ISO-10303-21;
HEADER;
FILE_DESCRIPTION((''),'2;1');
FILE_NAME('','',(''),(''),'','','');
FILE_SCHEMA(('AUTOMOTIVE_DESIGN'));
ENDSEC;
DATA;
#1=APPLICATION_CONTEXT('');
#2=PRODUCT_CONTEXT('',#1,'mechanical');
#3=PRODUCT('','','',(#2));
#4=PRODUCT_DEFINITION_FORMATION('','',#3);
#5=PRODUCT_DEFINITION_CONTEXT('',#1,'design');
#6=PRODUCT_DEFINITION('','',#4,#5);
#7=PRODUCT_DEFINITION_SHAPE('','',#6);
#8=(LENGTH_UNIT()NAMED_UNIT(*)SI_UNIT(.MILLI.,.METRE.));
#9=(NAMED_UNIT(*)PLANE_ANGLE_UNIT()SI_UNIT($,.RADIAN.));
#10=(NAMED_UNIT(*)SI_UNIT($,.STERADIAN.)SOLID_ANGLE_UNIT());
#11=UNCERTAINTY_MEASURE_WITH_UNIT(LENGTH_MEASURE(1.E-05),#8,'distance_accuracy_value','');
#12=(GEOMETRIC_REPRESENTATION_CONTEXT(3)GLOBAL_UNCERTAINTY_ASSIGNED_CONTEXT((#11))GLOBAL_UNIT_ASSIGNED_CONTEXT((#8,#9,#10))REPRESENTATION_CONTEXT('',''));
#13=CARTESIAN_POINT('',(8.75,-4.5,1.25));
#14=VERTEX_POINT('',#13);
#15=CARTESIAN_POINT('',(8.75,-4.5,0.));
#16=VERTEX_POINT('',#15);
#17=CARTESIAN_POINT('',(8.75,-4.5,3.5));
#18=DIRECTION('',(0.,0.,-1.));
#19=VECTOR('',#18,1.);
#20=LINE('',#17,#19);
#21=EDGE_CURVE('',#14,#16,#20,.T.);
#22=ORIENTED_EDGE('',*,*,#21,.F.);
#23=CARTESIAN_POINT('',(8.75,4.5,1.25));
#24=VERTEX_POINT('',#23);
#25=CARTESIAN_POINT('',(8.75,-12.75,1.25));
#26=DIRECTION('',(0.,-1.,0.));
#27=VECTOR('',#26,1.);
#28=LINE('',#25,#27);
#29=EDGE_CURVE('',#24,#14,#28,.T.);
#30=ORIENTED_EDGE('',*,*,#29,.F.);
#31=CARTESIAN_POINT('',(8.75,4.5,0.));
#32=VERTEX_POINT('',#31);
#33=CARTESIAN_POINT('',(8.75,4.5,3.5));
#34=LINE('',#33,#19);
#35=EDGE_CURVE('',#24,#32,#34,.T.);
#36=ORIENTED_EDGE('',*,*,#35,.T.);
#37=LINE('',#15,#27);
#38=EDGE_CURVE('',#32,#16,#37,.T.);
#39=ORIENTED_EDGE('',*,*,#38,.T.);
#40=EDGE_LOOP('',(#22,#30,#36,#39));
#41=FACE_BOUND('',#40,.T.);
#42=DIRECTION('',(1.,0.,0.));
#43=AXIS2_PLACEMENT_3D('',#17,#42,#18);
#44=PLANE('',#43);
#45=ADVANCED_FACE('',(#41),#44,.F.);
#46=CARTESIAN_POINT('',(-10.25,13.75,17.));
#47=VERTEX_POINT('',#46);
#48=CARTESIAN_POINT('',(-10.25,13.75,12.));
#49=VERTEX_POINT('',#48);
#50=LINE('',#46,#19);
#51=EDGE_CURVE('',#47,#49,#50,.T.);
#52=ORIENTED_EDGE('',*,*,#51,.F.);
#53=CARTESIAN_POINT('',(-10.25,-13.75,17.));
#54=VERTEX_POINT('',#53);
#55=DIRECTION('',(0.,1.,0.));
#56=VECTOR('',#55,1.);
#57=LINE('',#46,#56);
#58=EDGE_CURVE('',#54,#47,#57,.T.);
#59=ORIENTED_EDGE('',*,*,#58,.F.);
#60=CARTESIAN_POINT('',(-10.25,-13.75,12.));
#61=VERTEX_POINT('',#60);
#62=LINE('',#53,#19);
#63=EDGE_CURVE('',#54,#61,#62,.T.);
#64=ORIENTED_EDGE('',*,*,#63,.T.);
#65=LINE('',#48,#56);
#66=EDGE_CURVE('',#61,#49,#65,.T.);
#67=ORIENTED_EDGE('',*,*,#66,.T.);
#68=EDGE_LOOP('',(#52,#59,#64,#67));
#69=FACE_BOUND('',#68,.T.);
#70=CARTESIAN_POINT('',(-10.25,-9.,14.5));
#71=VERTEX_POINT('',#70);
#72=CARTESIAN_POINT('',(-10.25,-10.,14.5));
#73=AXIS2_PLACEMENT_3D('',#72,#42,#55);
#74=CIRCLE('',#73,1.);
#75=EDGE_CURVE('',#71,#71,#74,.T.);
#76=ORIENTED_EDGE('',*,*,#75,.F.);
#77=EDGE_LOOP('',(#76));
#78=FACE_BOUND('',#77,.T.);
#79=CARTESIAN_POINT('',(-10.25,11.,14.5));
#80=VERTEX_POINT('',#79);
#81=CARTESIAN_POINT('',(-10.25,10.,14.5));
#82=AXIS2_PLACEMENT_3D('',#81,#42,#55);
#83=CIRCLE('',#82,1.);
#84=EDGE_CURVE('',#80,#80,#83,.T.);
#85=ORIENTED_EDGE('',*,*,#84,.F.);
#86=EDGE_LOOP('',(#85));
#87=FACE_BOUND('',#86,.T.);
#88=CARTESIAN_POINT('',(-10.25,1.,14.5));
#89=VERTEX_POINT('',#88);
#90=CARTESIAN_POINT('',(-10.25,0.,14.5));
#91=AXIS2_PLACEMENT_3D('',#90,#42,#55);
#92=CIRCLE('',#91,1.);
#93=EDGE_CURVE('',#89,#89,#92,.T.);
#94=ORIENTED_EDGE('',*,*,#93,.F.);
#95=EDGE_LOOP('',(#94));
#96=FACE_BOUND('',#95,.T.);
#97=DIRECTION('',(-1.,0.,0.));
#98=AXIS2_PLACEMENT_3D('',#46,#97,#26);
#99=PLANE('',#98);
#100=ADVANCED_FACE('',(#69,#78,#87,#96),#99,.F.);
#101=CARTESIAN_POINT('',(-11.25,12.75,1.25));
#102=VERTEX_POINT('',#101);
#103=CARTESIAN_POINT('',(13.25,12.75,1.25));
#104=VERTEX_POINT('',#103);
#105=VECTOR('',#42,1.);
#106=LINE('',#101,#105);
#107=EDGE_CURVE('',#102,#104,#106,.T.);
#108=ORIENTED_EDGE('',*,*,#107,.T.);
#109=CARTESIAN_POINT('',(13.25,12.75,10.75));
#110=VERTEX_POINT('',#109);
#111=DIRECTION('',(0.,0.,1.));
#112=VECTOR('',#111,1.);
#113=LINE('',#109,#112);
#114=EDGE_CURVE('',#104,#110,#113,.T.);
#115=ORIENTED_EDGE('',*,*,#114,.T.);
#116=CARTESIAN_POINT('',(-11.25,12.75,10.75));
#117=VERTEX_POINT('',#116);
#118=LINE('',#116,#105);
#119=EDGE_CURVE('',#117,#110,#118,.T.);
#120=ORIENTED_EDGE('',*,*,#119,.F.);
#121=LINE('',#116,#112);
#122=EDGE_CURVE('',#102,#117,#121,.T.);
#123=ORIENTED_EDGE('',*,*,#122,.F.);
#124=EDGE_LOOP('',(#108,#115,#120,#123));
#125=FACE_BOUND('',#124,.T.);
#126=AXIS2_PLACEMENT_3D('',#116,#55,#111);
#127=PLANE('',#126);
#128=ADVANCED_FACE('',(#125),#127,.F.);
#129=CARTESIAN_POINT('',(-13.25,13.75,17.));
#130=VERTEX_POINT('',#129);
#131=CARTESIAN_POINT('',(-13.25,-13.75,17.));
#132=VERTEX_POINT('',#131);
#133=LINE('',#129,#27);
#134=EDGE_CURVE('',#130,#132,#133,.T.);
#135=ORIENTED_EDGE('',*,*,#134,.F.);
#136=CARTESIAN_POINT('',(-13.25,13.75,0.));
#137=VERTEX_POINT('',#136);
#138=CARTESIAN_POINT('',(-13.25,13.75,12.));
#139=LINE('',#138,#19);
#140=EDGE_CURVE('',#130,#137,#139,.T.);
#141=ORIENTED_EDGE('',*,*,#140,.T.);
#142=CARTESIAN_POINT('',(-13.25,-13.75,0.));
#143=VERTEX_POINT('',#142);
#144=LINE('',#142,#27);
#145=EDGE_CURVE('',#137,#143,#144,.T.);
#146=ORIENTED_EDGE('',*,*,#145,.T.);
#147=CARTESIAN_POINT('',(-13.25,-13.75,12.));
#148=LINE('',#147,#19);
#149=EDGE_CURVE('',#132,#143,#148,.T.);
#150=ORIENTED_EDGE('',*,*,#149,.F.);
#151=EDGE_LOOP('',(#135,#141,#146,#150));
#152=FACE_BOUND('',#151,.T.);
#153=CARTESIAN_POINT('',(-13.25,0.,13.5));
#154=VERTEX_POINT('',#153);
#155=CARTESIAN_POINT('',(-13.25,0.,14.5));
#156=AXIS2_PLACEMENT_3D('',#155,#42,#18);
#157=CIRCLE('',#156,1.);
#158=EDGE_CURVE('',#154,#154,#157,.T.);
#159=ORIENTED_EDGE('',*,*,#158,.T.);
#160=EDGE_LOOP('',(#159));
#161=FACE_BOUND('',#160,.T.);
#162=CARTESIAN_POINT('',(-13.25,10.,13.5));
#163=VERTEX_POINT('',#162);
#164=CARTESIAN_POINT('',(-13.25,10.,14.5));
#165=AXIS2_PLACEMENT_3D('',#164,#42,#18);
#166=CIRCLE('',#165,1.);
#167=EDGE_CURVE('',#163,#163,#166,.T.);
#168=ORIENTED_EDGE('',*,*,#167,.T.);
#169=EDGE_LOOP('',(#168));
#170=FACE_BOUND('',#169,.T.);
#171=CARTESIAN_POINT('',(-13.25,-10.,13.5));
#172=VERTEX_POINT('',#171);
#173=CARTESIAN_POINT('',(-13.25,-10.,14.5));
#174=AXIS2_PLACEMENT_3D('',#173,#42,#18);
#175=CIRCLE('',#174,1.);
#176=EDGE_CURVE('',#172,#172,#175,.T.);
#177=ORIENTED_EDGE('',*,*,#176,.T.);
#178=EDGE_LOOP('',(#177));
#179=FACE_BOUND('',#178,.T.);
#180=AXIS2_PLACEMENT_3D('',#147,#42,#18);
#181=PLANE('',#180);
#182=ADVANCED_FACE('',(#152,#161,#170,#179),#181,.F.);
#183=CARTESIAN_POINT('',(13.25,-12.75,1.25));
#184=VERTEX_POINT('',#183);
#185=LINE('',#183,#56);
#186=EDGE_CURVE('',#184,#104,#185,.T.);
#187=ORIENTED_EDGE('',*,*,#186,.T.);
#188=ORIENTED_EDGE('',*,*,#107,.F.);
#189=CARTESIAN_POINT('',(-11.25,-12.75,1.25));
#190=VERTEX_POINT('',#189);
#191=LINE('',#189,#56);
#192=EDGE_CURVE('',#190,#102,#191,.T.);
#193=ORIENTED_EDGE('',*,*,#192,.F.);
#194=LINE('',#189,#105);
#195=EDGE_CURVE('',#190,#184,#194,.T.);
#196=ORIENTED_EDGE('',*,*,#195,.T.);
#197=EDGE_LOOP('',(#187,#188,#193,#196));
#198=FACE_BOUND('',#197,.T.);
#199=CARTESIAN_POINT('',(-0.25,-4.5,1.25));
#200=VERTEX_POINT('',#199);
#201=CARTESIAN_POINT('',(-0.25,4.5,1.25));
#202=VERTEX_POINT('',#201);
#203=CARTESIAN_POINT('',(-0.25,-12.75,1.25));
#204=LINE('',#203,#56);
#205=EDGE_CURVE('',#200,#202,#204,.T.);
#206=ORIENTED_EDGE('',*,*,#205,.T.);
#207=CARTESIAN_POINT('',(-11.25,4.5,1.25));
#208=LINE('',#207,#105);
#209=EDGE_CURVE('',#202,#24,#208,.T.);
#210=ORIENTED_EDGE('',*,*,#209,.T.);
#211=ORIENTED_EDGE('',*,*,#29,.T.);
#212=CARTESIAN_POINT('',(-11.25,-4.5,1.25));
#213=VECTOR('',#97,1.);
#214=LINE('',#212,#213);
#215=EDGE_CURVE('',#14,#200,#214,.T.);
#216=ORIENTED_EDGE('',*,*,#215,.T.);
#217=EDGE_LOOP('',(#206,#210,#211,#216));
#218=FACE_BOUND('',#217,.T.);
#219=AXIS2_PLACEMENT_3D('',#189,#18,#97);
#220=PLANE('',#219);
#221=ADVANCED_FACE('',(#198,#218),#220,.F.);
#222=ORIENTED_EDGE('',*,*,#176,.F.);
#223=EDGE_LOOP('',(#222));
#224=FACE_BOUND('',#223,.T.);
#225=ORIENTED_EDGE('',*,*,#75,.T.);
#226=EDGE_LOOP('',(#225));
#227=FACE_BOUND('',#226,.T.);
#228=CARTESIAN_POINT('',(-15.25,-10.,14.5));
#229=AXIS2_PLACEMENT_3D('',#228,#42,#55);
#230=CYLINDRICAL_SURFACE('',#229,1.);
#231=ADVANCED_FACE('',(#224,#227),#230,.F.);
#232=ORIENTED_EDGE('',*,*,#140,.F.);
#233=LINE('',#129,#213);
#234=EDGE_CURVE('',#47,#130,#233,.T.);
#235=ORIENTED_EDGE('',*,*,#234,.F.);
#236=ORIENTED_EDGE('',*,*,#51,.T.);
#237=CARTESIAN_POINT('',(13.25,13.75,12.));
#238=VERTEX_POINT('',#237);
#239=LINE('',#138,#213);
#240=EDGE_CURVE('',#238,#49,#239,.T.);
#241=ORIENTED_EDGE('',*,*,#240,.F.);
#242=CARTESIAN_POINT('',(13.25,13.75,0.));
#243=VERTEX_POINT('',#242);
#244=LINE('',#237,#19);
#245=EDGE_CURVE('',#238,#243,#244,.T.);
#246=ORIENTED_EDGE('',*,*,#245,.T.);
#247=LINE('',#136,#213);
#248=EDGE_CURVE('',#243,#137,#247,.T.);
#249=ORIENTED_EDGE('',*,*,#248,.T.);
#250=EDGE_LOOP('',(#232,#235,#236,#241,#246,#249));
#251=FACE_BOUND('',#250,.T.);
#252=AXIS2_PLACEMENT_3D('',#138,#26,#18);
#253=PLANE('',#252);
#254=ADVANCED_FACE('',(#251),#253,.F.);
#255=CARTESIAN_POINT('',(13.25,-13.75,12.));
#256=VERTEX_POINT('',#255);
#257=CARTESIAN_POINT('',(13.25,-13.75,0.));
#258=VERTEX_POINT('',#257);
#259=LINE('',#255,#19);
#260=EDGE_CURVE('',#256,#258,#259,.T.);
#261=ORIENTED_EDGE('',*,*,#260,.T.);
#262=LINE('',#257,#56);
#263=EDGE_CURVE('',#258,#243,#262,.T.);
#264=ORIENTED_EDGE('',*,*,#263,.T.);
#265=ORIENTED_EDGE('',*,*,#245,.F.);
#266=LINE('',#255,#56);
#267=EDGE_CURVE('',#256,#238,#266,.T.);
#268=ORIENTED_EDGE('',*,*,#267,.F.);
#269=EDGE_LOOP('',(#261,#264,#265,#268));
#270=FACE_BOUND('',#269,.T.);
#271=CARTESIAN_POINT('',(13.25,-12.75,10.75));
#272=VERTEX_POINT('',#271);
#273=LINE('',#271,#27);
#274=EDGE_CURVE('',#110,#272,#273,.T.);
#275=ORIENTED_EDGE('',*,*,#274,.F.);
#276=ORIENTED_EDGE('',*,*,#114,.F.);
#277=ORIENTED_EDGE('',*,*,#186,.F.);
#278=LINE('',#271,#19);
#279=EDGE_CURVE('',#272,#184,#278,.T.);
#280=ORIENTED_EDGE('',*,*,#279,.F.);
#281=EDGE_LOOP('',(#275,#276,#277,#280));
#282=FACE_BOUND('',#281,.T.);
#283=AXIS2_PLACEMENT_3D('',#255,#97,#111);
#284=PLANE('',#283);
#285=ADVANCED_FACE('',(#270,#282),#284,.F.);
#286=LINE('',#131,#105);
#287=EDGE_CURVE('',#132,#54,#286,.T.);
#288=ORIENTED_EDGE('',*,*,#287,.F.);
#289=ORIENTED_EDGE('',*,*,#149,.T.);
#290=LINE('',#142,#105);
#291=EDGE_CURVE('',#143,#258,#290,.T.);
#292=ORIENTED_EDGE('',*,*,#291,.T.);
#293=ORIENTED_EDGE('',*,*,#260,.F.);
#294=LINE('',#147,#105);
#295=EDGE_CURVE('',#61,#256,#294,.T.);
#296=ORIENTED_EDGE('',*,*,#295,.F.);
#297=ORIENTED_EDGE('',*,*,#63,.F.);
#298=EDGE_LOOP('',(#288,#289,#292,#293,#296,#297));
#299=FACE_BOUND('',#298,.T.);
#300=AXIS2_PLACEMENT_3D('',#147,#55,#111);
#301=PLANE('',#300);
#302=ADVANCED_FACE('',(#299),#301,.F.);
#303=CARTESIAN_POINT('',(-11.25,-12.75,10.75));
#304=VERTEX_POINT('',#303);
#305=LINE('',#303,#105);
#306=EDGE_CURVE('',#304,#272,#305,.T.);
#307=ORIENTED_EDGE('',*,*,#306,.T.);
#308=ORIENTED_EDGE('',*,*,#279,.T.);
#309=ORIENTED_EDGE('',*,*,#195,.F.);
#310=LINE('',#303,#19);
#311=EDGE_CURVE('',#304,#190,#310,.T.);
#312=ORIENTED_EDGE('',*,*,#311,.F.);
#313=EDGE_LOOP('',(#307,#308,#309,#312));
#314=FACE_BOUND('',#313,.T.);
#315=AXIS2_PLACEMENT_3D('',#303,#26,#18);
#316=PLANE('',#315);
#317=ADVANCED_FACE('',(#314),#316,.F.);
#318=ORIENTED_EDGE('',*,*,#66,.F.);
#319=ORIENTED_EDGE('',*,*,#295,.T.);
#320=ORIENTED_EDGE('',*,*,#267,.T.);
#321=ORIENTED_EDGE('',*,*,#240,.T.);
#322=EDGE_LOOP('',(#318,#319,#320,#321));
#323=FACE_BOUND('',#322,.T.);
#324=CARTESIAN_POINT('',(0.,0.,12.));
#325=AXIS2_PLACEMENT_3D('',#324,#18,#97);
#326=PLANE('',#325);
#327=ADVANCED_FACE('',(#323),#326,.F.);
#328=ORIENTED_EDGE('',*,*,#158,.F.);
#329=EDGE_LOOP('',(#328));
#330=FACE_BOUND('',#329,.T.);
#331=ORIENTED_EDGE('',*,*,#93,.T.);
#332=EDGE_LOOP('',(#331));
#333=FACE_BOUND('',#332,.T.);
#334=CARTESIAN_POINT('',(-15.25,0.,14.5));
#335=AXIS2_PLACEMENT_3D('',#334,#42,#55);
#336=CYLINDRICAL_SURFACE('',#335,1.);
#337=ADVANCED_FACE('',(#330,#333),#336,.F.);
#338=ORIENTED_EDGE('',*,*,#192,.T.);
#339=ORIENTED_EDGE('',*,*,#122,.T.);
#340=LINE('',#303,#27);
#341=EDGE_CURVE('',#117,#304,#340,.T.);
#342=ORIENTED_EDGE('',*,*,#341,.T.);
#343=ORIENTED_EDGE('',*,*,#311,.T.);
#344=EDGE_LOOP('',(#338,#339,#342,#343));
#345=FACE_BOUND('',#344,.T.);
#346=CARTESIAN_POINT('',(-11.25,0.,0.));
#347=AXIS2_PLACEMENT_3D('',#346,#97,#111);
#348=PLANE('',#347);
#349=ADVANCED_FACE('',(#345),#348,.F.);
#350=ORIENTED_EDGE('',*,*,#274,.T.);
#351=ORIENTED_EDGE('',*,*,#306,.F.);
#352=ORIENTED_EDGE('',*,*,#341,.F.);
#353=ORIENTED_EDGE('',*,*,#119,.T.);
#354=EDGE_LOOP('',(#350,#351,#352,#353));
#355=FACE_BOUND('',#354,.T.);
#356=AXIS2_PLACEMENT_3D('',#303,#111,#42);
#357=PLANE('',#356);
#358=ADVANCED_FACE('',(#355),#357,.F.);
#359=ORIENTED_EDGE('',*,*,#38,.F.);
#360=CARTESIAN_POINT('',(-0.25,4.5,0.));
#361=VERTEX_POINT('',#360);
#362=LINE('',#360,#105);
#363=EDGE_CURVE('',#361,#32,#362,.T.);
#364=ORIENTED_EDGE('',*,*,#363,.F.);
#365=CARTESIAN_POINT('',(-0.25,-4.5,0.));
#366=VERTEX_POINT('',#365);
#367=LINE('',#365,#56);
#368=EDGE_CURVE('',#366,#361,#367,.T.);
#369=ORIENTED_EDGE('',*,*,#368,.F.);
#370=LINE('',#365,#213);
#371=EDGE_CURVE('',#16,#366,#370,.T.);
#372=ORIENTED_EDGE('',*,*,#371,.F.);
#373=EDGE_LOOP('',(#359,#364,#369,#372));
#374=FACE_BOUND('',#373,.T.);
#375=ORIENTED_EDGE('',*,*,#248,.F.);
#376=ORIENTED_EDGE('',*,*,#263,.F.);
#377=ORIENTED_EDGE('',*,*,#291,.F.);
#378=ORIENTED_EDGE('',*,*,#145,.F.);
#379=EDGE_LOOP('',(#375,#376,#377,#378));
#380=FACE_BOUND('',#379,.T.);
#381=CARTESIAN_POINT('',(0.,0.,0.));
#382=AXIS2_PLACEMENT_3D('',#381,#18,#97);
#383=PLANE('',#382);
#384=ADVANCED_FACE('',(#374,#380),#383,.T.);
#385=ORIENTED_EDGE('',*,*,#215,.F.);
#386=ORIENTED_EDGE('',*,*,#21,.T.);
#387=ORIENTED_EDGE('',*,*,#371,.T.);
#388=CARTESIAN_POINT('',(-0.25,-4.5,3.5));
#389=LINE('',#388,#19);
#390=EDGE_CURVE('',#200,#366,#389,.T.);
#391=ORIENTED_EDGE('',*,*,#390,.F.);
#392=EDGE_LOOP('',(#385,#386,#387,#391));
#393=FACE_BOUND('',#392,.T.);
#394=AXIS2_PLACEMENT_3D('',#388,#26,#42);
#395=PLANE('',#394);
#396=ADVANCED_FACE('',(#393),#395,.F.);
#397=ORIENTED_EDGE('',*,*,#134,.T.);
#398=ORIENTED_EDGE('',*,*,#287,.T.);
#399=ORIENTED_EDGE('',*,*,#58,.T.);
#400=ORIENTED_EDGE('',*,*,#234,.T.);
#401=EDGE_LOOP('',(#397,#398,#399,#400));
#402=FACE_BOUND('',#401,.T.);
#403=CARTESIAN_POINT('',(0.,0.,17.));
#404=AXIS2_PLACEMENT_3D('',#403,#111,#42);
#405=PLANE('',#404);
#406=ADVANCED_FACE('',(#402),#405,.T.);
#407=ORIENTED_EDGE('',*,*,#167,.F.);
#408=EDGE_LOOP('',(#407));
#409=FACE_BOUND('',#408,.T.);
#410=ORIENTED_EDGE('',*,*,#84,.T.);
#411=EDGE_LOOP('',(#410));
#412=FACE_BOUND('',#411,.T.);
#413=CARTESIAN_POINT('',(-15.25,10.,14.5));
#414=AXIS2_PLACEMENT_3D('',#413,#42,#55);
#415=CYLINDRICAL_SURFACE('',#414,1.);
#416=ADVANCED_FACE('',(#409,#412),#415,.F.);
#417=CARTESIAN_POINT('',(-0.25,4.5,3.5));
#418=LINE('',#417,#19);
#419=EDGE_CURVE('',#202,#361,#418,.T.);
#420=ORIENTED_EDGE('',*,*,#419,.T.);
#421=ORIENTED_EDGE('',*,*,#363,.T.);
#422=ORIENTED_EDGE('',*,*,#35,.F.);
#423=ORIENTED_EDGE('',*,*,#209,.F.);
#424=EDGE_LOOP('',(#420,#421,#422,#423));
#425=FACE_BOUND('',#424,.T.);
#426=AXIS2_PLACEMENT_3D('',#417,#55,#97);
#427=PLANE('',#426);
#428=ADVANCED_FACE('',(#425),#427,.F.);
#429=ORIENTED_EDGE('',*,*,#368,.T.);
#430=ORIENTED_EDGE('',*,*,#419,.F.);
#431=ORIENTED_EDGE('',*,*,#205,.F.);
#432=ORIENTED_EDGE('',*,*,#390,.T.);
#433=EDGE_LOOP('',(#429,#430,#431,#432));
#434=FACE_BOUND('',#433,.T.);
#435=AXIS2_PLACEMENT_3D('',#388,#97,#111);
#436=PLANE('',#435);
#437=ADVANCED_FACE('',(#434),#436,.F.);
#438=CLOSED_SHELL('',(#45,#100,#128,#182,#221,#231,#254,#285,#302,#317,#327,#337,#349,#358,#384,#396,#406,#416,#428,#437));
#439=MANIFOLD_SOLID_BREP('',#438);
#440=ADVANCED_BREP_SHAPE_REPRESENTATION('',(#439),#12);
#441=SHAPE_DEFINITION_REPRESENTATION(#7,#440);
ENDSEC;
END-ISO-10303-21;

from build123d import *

# Parameters (mm, degrees)
SKETCH1_W           = 26.5
SKETCH1_H           = 27.5
BOSS_EXTRUDE1_DEPTH = 12
SKETCH3_W           = 9.5
SKETCH3_H           = 25.5
CUT_EXTRUDE1_DEPTH  = 24.5
SKETCH4_W           = 9
SKETCH4_H           = 9
CUT_EXTRUDE2_DEPTH  = 3.5
SKETCH6_W           = 3
SKETCH6_H           = 27.5
BOSS_EXTRUDE2_DEPTH = 5
SKETCH7_R           = 1
CUT_EXTRUDE3_DEPTH  = 5


with BuildPart() as part:
    # Sketch1 → Boss-Extrude1 (new body)
    with BuildSketch(Plane.XY):
        Rectangle(SKETCH1_W, SKETCH1_H)
    extrude(amount=BOSS_EXTRUDE1_DEPTH)

    # Sketch3 → Cut-Extrude1 (cut)
    with BuildSketch(Plane(origin=(13.25, 0, 0), x_dir=(0, 0, -1), z_dir=(1, 0, 0))):
        with Locations((-6, 0)):
            Rectangle(SKETCH3_W, SKETCH3_H)
    extrude(amount=-CUT_EXTRUDE1_DEPTH, mode=Mode.SUBTRACT)

    # Sketch4 → Cut-Extrude2 (cut)
    with BuildSketch(Plane(origin=(0, 0, 0), x_dir=(-1, 0, 0), z_dir=(0, 0, -1))):
        with Locations((-4.25, 0)):
            Rectangle(SKETCH4_W, SKETCH4_H)
    extrude(amount=-CUT_EXTRUDE2_DEPTH, mode=Mode.SUBTRACT)

    # Sketch6 → Boss-Extrude2 (add)
    with BuildSketch(Plane.XY.offset(12)):
        with Locations((-11.75, 0)):
            Rectangle(SKETCH6_W, SKETCH6_H)
    extrude(amount=BOSS_EXTRUDE2_DEPTH)

    # Sketch7 → Cut-Extrude3 (cut)
    with BuildSketch(Plane(origin=(-10.25, 0, 0), x_dir=(0, 0, -1), z_dir=(1, 0, 0))):
        with Locations(Location((-14.5, -10, 0), (0, 0, 90))):
            Circle(SKETCH7_R)
        with Locations(Location((-14.5, 0, 0), (0, 0, 90))):
            Circle(SKETCH7_R)
        with Locations(Location((-14.5, 10, 0), (0, 0, 90))):
            Circle(SKETCH7_R)
    extrude(amount=-CUT_EXTRUDE3_DEPTH, mode=Mode.SUBTRACT)


solid = part.part
